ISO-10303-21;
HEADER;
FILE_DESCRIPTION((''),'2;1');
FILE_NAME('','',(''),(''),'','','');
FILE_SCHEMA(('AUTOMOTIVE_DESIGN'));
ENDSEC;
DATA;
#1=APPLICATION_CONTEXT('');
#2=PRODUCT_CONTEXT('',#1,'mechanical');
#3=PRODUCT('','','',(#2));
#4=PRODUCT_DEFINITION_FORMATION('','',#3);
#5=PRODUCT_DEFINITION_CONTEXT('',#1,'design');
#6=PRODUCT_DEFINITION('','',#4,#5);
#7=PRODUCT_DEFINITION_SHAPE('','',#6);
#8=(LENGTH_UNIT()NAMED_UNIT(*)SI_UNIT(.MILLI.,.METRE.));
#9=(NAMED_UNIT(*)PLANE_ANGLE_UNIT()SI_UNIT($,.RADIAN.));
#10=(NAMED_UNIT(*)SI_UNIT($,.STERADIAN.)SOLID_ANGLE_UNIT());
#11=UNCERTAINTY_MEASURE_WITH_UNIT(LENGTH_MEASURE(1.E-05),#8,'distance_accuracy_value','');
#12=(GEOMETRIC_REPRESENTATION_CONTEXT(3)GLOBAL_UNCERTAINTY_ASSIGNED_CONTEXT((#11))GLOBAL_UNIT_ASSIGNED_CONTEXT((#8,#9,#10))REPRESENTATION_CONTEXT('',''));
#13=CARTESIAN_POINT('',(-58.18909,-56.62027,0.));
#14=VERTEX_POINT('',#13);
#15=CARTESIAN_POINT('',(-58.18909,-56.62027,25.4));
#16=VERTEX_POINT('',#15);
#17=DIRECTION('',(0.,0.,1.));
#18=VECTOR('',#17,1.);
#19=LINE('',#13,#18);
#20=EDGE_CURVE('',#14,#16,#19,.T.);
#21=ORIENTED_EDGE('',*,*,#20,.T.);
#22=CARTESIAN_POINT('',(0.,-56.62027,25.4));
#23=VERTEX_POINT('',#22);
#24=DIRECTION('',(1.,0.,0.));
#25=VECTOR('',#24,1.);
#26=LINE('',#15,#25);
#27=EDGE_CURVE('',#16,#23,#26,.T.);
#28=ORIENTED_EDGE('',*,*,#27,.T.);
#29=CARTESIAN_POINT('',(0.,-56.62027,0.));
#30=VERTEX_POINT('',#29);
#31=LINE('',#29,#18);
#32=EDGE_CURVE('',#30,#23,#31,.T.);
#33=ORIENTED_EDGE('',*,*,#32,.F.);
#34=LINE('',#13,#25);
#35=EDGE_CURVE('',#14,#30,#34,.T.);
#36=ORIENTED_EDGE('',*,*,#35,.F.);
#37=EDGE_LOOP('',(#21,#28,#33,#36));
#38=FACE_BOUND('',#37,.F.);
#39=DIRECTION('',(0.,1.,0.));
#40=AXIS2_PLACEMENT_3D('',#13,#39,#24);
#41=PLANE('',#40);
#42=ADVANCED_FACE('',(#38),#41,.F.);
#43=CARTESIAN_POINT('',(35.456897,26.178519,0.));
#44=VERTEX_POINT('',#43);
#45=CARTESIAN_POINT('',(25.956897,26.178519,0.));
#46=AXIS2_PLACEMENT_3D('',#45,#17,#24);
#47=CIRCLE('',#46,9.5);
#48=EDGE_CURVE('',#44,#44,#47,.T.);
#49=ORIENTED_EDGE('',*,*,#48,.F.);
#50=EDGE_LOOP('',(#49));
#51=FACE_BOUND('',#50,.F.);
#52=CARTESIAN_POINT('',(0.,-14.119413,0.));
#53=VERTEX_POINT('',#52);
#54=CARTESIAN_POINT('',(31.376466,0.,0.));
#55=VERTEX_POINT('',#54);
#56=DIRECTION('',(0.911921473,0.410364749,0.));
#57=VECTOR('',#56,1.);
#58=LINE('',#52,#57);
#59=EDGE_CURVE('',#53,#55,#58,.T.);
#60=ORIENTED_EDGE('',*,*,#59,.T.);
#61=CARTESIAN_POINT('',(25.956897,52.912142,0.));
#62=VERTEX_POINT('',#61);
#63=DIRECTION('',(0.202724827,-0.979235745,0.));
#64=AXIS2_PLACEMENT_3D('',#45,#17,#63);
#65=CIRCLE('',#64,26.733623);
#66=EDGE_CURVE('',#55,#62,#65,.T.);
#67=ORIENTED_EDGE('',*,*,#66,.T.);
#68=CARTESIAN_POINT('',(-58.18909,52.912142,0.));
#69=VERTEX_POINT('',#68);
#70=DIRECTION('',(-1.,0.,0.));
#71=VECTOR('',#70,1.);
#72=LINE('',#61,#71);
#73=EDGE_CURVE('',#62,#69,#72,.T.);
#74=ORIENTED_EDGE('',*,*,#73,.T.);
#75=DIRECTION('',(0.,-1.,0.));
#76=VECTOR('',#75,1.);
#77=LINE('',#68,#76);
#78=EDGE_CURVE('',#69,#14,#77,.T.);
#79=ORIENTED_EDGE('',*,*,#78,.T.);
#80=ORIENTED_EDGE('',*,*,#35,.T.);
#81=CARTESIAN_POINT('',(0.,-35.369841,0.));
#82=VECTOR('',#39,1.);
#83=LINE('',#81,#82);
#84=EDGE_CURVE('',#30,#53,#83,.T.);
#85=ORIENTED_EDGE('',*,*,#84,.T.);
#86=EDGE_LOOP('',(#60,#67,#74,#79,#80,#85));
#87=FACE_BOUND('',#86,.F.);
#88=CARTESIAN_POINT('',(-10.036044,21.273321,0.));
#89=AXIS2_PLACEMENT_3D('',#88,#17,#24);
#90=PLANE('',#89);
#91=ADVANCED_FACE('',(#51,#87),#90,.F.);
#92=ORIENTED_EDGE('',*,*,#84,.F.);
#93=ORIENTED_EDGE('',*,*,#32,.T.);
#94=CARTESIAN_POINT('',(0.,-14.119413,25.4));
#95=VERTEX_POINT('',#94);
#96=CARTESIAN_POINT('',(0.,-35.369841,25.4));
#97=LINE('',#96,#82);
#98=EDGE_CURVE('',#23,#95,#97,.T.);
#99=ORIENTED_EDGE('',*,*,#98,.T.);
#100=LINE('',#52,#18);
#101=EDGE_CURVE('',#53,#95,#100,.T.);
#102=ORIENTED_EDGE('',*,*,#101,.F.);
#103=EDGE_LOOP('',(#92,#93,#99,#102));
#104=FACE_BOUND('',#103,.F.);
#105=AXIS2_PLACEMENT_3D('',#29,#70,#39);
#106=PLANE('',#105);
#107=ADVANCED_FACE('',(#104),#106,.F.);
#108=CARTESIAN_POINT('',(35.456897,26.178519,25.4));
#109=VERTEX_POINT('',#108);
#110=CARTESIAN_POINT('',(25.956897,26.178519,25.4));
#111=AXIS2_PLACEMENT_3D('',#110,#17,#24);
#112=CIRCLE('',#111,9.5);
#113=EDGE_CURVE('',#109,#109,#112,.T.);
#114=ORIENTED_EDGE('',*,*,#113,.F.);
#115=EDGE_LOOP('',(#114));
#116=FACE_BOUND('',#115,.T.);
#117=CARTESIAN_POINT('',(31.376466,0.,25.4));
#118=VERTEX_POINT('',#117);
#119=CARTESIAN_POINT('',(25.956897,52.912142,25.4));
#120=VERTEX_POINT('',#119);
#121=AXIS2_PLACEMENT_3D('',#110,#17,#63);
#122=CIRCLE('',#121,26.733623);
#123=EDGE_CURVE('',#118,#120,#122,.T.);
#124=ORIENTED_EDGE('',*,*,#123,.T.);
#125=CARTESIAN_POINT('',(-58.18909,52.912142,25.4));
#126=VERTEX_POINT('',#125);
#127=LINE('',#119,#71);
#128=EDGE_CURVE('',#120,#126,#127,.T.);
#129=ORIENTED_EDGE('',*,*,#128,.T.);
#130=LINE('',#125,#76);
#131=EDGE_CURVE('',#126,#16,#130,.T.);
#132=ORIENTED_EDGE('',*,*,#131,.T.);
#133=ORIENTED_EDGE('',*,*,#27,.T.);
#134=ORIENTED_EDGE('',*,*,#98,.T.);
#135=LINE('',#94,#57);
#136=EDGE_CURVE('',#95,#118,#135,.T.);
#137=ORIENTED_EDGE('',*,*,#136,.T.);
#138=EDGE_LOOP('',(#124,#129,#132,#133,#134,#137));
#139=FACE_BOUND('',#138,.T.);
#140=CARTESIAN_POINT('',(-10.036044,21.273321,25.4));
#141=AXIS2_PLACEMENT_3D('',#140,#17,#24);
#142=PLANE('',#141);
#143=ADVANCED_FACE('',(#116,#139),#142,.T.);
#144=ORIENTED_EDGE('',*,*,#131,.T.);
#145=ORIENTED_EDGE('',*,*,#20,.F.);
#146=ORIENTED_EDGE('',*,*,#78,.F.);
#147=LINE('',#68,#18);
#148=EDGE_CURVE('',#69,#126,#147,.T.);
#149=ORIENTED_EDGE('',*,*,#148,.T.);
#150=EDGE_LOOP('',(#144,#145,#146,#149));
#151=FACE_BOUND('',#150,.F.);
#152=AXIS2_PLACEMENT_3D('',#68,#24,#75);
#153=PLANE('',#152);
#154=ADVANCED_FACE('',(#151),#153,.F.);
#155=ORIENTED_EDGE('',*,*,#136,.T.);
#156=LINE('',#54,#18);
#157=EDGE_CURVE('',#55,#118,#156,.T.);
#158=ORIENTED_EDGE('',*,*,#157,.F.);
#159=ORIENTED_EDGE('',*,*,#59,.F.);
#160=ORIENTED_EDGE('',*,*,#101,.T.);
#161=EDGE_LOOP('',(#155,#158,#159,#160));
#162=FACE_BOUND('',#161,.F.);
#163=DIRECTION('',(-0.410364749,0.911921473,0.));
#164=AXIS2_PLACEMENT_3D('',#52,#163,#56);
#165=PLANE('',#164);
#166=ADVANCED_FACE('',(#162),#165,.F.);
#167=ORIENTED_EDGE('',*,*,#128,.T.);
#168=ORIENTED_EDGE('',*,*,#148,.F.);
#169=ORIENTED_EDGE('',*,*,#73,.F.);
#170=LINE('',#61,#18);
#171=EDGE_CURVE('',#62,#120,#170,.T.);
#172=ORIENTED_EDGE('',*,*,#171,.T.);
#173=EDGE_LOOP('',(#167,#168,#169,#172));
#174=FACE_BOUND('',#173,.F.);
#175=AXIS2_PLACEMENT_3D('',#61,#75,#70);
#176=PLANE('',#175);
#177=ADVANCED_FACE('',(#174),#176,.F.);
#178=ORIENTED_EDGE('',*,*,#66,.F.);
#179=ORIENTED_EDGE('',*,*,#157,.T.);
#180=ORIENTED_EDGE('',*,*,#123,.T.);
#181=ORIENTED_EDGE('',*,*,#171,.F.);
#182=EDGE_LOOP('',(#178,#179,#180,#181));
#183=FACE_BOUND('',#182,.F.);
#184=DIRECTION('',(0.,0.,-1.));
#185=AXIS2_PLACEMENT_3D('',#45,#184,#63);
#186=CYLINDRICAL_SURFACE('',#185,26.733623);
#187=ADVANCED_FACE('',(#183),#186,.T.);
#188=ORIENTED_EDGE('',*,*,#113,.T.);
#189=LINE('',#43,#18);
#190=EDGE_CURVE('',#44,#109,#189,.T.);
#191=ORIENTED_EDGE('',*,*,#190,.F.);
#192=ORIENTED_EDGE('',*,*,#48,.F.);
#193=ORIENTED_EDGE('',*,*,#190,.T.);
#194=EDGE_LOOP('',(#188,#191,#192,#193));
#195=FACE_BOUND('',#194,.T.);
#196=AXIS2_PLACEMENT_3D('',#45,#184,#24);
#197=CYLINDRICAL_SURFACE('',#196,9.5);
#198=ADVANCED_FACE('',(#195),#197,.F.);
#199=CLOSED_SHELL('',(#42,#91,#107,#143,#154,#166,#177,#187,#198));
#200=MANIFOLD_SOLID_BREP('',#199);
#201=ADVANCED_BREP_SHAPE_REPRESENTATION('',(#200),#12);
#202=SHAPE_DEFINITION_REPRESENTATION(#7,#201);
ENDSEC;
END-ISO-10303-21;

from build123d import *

# Parameters (mm, degrees)
F2_R     = 9.5
F2_W     = 9.6981804818
F2_H     = 42.5008572638
F2_W_2   = 26.8126223236
F3_DEPTH = 25.4


with BuildPart() as f3:
    # F2 (on face) → F3 (new body)
    with BuildSketch(Plane.XY):
        with BuildLine():
            Line((25.956897065, 52.9121421278), (-58.1890903413, 52.9121421278))
            Line((-58.1890903413, 52.9121421278), (-58.1890903413, -14.11941275))
            Line((-58.1890903413, -14.11941275), (-36.5108028054, -14.11941275))
            Line((-36.5108028054, -14.11941275), (-26.8126223236, -14.11941275))
            Line((-26.8126223236, -14.11941275), (0, -14.11941275))
            Line((0, -14.11941275), (31.3764661551, 0))
            ThreePointArc((31.3764661551, 0), (52.5513819899, 28.9024808802), (25.956897065, 52.9121421278))
        make_face()
        with Locations((25.956897065, 26.1785191832)):
            Circle(F2_R, mode=Mode.SUBTRACT)
        Polygon((-36.5108028054, -14.11941275), (-58.1890903413, -14.11941275), (-58.1890903413, -45.0878578722), (-58.1890903413, -56.6202700138), (-36.5108028054, -56.6202700138), align=None)
        with Locations((-31.6617125645, -35.3698413819)):
            Rectangle(F2_W, F2_H)
        with Locations((-13.4063111618, -35.3698413819)):
            Rectangle(F2_W_2, F2_H)
    extrude(amount=F3_DEPTH)


solid = f3.part
